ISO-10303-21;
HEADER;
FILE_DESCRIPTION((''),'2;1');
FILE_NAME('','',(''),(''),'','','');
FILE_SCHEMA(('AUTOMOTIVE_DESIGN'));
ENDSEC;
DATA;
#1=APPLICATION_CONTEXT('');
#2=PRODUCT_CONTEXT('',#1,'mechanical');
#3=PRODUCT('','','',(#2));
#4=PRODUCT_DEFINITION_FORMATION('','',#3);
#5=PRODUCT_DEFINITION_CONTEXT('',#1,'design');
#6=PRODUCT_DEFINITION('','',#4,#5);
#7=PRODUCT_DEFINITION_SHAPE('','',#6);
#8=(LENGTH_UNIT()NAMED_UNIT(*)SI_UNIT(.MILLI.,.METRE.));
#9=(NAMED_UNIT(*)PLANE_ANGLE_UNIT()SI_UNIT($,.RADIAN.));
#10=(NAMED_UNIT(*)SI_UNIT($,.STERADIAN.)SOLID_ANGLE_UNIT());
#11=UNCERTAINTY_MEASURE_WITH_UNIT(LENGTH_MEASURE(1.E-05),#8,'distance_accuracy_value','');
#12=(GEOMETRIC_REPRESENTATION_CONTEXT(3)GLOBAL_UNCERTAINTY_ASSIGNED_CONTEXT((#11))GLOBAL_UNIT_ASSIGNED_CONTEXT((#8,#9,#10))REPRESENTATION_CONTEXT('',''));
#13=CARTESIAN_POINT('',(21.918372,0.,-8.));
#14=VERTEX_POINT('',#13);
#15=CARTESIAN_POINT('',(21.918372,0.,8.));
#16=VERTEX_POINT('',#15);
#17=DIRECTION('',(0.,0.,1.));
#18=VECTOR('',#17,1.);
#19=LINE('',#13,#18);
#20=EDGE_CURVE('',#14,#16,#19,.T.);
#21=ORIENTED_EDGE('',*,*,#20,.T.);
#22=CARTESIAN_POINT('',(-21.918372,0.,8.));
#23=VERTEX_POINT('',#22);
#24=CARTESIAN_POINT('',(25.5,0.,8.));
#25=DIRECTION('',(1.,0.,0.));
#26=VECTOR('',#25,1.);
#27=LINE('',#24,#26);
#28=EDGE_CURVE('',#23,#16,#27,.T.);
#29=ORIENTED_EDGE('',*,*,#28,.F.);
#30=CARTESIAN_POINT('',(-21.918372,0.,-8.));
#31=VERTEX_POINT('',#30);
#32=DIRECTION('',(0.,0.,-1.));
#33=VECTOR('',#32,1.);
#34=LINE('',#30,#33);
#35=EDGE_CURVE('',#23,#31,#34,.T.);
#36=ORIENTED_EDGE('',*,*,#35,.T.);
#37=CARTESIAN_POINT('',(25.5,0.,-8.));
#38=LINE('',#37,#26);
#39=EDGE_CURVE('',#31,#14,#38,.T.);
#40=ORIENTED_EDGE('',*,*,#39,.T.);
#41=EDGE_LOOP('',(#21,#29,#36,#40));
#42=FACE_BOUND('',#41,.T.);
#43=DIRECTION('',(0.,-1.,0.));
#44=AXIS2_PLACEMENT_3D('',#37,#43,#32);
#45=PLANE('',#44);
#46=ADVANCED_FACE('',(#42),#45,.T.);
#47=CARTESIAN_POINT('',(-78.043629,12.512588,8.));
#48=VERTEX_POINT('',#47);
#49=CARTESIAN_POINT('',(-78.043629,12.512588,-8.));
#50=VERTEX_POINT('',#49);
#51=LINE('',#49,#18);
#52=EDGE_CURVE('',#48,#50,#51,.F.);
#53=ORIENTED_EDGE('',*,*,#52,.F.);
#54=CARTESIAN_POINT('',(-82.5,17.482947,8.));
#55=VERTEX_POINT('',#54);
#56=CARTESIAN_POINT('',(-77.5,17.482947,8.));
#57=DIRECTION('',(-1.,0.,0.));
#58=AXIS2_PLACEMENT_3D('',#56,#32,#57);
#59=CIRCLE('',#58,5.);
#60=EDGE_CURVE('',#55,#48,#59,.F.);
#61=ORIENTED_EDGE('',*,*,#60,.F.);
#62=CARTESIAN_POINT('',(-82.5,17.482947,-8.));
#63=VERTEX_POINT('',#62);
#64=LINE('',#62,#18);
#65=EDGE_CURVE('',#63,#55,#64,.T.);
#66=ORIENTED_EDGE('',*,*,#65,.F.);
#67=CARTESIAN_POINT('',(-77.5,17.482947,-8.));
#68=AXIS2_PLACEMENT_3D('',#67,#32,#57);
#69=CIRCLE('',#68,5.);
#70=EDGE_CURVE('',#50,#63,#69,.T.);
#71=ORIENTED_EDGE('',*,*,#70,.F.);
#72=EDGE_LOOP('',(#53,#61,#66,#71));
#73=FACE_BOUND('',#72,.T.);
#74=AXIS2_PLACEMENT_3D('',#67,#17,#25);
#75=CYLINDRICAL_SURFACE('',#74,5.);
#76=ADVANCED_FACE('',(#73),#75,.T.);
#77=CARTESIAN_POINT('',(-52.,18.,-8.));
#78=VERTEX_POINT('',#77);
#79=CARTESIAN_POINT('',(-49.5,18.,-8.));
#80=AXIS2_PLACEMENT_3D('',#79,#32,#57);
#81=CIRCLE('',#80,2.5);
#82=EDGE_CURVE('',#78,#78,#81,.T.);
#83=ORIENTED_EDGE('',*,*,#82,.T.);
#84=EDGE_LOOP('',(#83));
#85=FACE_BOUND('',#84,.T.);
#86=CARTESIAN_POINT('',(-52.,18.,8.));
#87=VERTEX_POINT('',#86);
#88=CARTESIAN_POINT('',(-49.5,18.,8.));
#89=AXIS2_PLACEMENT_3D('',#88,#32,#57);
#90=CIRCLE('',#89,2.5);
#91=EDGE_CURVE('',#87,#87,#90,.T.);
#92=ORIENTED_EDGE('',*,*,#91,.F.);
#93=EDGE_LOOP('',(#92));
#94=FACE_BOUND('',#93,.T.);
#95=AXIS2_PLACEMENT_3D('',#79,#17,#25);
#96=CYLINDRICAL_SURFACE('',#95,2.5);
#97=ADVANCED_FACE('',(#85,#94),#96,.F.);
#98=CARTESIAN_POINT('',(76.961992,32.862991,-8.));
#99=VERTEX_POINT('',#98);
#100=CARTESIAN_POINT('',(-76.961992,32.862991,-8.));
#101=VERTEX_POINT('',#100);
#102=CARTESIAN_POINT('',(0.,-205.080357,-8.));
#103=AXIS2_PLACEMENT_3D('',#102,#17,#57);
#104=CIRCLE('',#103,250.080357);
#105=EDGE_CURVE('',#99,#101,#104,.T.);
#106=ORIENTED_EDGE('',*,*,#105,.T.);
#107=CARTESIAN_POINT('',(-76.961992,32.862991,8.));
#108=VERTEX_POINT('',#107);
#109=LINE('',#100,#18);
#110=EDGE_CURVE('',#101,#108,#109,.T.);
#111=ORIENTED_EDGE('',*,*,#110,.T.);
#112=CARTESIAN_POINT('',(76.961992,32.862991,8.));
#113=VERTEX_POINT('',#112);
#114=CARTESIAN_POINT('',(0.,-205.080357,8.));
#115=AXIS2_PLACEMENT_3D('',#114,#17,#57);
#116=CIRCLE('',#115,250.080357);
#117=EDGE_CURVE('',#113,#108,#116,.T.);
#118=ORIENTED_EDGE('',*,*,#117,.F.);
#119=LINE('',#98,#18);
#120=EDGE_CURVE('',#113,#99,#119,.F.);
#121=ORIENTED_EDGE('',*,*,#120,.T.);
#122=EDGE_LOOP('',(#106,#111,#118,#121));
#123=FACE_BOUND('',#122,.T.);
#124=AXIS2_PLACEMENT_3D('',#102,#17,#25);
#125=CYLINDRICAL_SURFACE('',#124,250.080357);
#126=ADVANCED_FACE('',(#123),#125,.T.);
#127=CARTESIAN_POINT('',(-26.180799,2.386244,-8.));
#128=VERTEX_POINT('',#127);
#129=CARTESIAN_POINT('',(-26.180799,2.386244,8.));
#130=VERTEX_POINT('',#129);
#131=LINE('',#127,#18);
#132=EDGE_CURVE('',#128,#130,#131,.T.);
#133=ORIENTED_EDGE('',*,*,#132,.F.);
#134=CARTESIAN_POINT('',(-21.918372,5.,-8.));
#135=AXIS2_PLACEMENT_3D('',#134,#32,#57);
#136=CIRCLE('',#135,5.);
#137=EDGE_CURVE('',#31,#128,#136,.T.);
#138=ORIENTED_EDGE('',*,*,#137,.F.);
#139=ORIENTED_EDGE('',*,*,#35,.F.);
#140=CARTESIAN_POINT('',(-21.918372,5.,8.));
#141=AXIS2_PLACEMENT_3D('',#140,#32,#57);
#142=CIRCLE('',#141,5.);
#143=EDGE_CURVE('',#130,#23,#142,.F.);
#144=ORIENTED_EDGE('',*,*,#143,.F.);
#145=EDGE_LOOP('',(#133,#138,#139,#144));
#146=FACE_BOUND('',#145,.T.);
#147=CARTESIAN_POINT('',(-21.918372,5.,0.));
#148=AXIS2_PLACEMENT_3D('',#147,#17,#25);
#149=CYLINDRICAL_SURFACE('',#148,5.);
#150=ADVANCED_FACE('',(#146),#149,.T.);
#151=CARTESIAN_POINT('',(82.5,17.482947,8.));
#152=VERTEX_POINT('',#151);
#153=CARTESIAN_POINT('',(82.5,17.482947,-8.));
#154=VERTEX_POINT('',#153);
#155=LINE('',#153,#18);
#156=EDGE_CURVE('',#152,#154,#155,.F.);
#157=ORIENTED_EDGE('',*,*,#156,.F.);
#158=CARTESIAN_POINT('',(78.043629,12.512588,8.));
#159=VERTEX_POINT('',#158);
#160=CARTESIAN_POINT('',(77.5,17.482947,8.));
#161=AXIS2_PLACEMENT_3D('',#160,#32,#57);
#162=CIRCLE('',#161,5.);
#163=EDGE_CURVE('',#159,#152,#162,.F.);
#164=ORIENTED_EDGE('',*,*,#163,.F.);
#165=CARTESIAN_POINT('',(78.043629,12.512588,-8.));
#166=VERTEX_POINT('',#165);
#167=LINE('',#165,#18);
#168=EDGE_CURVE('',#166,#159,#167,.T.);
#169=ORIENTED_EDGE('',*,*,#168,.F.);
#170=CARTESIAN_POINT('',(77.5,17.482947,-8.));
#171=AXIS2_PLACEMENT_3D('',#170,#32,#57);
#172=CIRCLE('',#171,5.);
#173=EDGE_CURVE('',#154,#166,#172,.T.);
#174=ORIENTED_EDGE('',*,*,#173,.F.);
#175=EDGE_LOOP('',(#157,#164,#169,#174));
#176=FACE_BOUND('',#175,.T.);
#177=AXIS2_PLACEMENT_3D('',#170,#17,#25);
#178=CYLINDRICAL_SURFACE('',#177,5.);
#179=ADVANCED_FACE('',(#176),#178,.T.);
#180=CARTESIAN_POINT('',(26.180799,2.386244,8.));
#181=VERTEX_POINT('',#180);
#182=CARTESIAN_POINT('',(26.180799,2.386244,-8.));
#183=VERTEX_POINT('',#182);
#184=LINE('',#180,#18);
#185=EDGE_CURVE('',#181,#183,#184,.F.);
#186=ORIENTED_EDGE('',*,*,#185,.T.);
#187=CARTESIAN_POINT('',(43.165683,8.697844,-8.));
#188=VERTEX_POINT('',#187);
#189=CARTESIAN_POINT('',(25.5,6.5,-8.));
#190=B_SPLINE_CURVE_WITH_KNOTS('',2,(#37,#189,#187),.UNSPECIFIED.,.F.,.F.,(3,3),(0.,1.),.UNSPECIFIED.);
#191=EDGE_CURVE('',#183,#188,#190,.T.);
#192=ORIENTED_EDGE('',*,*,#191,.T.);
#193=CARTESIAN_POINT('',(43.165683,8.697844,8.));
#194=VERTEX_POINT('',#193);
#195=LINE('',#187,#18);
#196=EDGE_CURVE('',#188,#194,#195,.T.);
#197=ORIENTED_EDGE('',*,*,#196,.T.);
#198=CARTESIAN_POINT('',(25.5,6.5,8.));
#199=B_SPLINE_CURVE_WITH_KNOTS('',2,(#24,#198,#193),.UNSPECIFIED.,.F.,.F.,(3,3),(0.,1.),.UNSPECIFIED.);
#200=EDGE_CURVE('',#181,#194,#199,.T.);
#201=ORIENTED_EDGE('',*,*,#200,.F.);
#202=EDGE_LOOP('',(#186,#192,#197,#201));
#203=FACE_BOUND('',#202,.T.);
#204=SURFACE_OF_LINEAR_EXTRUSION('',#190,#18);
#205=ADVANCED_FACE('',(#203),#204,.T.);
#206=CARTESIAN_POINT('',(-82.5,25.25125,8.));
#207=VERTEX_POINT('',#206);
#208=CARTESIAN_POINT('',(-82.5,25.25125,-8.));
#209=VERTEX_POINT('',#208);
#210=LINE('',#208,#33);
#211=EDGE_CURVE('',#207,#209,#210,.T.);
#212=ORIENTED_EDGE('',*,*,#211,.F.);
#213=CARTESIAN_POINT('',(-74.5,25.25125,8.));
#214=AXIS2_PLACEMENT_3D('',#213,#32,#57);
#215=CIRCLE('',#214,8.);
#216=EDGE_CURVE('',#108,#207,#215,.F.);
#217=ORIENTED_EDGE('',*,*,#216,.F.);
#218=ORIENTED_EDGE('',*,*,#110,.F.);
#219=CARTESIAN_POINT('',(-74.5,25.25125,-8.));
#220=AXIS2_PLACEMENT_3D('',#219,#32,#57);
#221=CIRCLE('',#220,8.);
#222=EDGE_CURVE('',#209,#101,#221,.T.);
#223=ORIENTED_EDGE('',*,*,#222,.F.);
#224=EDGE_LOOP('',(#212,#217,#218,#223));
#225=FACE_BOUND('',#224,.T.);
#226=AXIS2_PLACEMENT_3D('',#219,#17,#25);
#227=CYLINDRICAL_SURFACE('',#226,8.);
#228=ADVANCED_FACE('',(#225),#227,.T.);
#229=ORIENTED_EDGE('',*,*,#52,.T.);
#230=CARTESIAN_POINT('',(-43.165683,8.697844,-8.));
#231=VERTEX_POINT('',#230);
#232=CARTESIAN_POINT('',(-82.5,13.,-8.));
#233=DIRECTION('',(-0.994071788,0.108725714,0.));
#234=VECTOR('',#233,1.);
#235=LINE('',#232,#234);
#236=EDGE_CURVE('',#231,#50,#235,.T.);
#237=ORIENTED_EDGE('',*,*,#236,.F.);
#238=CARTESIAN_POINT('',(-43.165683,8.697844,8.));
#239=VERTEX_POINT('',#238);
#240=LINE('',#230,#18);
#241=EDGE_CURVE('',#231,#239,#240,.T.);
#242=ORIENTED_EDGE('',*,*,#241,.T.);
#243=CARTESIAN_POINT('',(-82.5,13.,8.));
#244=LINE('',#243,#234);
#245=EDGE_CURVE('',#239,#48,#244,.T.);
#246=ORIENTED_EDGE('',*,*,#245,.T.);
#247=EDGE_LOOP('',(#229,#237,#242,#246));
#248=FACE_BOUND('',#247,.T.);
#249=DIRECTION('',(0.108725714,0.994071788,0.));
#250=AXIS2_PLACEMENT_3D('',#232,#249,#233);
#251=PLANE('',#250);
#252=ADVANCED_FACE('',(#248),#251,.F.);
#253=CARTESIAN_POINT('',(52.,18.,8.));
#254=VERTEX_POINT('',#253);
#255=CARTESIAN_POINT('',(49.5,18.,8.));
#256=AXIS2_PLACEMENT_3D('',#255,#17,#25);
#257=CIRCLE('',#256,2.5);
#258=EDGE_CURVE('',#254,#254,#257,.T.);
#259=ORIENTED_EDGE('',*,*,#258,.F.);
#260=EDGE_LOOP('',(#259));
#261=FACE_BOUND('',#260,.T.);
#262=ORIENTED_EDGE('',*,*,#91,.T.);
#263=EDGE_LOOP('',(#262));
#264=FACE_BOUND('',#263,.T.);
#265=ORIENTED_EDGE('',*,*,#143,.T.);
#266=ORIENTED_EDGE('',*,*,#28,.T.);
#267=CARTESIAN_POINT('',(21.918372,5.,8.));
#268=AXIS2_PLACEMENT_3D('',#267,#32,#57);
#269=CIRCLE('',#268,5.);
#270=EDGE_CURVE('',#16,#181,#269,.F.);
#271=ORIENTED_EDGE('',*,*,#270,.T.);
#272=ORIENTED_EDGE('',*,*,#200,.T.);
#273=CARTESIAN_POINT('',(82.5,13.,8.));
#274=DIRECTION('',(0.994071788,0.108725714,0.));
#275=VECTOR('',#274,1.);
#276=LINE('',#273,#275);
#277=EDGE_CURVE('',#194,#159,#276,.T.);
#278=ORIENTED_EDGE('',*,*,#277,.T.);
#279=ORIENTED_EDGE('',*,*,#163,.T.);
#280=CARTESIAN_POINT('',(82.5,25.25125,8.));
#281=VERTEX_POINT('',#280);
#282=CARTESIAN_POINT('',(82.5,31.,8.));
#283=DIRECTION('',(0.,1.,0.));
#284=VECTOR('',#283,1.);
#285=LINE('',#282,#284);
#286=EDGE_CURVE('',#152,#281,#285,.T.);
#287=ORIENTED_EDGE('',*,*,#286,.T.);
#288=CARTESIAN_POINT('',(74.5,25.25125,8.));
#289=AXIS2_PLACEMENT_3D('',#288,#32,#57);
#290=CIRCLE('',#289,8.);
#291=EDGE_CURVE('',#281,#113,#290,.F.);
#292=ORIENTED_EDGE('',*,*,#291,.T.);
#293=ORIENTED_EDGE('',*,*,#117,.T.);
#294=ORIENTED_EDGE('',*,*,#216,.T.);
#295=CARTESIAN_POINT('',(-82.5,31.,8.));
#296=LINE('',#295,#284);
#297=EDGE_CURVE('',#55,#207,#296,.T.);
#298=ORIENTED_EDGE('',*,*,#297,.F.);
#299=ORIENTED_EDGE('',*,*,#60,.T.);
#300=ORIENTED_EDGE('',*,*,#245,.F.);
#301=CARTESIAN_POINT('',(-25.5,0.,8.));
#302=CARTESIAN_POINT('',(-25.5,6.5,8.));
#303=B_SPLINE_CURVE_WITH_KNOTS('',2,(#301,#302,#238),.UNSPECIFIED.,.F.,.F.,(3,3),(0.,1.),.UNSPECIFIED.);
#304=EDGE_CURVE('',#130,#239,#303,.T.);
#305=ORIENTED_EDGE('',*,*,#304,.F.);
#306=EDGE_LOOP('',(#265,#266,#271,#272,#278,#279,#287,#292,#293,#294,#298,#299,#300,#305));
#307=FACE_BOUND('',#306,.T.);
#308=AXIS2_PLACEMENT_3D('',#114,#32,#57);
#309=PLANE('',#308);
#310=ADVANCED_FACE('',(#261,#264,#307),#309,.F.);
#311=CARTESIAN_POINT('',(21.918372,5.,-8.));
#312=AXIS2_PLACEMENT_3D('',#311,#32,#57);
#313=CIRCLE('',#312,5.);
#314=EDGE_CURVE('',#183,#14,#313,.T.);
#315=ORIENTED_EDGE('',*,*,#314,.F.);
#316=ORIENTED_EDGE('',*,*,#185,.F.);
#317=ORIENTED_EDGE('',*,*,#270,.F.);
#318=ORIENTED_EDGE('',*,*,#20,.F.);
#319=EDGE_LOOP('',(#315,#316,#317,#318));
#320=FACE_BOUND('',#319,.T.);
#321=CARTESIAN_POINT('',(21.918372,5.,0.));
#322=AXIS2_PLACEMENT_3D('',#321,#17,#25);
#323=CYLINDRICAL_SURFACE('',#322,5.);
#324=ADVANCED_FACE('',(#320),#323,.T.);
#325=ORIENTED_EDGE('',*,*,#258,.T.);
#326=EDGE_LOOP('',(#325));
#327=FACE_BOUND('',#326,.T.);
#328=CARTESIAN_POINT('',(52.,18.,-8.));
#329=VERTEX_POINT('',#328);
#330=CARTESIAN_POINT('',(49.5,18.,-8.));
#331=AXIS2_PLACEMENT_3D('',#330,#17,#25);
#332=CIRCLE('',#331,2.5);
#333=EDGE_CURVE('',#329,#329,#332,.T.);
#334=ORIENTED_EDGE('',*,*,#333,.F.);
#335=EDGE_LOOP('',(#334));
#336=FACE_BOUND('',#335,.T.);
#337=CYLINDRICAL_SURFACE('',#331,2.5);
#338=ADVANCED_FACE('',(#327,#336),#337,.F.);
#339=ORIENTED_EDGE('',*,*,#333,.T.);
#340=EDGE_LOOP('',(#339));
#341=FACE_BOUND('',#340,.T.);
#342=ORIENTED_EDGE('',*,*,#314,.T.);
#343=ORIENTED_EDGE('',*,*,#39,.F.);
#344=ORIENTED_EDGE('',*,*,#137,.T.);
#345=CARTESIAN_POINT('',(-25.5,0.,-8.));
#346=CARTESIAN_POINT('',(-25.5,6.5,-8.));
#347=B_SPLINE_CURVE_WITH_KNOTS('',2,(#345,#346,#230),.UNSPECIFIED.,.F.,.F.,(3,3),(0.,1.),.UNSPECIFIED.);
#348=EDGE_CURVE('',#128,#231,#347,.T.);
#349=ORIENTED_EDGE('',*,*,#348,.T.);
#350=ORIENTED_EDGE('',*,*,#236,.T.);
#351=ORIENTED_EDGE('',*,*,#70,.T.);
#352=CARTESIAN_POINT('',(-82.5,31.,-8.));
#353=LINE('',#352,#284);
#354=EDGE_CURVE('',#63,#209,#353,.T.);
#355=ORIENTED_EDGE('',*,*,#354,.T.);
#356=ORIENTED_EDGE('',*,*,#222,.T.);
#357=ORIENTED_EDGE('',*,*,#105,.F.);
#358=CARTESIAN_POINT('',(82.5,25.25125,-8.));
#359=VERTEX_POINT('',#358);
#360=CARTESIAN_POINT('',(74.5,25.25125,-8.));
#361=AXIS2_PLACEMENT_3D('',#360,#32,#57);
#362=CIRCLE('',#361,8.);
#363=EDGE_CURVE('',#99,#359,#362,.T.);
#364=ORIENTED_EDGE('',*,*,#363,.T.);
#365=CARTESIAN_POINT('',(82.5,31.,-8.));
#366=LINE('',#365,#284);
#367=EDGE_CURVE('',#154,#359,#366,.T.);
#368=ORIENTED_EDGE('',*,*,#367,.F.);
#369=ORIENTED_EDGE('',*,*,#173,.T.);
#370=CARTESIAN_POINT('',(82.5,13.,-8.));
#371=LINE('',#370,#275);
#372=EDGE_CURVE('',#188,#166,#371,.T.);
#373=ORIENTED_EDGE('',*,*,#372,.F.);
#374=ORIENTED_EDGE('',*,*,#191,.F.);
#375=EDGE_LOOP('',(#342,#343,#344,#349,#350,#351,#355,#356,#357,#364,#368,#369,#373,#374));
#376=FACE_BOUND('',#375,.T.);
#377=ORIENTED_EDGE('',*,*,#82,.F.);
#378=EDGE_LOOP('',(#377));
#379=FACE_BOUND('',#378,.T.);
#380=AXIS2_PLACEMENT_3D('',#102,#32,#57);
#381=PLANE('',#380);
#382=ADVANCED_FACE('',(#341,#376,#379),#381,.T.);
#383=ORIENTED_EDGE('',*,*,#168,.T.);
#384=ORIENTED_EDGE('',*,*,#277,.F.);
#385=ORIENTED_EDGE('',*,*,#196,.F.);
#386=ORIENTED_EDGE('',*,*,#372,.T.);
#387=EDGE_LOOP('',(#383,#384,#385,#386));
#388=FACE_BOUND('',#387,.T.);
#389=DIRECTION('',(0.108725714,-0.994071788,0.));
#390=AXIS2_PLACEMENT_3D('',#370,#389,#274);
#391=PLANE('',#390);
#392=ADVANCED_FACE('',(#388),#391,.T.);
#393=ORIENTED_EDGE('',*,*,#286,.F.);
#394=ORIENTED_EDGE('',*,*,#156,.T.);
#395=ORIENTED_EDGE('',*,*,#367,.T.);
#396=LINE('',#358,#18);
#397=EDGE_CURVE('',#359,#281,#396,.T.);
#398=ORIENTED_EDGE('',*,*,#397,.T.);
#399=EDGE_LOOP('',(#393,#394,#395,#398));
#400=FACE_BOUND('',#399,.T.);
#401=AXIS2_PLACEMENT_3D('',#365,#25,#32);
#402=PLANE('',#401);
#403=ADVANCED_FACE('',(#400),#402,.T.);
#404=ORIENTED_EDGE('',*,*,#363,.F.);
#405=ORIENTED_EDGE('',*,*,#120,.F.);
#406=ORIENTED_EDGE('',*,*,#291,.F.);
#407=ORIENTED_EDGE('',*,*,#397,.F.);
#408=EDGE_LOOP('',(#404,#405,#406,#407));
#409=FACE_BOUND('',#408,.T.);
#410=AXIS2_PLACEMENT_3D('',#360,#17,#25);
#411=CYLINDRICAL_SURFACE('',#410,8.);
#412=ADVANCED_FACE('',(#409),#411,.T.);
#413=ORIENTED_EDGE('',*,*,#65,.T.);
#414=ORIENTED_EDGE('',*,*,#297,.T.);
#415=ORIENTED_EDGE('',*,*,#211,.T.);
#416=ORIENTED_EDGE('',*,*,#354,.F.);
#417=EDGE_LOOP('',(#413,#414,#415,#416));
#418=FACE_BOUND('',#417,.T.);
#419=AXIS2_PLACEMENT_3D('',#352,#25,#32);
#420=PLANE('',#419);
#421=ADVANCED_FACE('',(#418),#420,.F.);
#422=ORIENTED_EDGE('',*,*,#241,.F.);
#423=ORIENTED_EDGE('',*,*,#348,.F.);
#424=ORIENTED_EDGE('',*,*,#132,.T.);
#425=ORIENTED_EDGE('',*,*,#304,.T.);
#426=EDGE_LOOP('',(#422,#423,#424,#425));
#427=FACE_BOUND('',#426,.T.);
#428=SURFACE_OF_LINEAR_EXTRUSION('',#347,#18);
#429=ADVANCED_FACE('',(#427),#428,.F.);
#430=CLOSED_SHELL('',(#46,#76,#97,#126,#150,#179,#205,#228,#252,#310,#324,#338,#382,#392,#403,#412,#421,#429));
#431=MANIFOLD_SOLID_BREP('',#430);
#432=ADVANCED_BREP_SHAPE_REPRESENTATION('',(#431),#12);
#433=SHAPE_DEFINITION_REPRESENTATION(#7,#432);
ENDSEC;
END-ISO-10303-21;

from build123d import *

# Parameters (mm, degrees)
BOSS_EXTRUDE1_DEPTH = 8
FILLET1_R           = 8
FILLET2_R           = 5
FILLET3_R           = 5
SKETCH2_R           = 2.5
CUT_EXTRUDE1_DEPTH  = 96.327068709


with BuildPart() as part:
    # Sketch1 → Boss-Extrude1 (new, symmetric)
    with BuildSketch(Plane.XY):
        with BuildLine():
            Line((0, 0), (0, 45))
            ThreePointArc((0, 45), (41.839723947, 41.475158976), (82.5, 31))
            Line((82.5, 31), (82.5, 13))
            Line((82.5, 13), (43.165682973, 8.697844187))
            add(Edge.make_bspline(
                [(25.5, 0), (25.5, 6.5), (43.165682973, 8.697844187)],
                knots=[0, 0, 0, 1, 1, 1], degree=2))
            Line((25.5, 0), (0, 0))
        make_face()
    boss_extrude1 = extrude(amount=BOSS_EXTRUDE1_DEPTH, both=True)

    # Mirror1: Boss-Extrude1 across plane
    add(boss_extrude1.mirror(Plane(origin=(0, 0, 0), x_dir=(0, 0, 1), z_dir=(1, 0, 0))))

    # Fillet1
    fillet1_edges = [part.edges().sort_by_distance(p)[0] for p in [
        (82.5, 31, 0),
        (-82.5, 31, 0),
    ]]
    fillet(fillet1_edges, radius=FILLET1_R)

    # Fillet2
    fillet2_edges = [part.edges().sort_by_distance(p)[0] for p in [
        (82.5, 13, 0),
        (-82.5, 13, 0),
    ]]
    fillet(fillet2_edges, radius=FILLET2_R)

    # Fillet3
    fillet3_edges = [part.edges().sort_by_distance(p)[0] for p in [
        (25.5, 0, 4),
        (-25.5, 0, -4),
    ]]
    fillet(fillet3_edges, radius=FILLET3_R)

    # Sketch2 → Cut-Extrude1 (cut, through all)
    with BuildSketch(Plane.XY.offset(8)):
        with Locations((49.5, 18)):
            Circle(SKETCH2_R)
    cut_extrude1 = extrude(amount=-CUT_EXTRUDE1_DEPTH, mode=Mode.SUBTRACT)

    # Mirror4: Cut-Extrude1 across plane
    add(cut_extrude1.mirror(Plane(origin=(0, 0, 0), x_dir=(0, 0, 1), z_dir=(1, 0, 0))), mode=Mode.SUBTRACT)


solid = part.part
